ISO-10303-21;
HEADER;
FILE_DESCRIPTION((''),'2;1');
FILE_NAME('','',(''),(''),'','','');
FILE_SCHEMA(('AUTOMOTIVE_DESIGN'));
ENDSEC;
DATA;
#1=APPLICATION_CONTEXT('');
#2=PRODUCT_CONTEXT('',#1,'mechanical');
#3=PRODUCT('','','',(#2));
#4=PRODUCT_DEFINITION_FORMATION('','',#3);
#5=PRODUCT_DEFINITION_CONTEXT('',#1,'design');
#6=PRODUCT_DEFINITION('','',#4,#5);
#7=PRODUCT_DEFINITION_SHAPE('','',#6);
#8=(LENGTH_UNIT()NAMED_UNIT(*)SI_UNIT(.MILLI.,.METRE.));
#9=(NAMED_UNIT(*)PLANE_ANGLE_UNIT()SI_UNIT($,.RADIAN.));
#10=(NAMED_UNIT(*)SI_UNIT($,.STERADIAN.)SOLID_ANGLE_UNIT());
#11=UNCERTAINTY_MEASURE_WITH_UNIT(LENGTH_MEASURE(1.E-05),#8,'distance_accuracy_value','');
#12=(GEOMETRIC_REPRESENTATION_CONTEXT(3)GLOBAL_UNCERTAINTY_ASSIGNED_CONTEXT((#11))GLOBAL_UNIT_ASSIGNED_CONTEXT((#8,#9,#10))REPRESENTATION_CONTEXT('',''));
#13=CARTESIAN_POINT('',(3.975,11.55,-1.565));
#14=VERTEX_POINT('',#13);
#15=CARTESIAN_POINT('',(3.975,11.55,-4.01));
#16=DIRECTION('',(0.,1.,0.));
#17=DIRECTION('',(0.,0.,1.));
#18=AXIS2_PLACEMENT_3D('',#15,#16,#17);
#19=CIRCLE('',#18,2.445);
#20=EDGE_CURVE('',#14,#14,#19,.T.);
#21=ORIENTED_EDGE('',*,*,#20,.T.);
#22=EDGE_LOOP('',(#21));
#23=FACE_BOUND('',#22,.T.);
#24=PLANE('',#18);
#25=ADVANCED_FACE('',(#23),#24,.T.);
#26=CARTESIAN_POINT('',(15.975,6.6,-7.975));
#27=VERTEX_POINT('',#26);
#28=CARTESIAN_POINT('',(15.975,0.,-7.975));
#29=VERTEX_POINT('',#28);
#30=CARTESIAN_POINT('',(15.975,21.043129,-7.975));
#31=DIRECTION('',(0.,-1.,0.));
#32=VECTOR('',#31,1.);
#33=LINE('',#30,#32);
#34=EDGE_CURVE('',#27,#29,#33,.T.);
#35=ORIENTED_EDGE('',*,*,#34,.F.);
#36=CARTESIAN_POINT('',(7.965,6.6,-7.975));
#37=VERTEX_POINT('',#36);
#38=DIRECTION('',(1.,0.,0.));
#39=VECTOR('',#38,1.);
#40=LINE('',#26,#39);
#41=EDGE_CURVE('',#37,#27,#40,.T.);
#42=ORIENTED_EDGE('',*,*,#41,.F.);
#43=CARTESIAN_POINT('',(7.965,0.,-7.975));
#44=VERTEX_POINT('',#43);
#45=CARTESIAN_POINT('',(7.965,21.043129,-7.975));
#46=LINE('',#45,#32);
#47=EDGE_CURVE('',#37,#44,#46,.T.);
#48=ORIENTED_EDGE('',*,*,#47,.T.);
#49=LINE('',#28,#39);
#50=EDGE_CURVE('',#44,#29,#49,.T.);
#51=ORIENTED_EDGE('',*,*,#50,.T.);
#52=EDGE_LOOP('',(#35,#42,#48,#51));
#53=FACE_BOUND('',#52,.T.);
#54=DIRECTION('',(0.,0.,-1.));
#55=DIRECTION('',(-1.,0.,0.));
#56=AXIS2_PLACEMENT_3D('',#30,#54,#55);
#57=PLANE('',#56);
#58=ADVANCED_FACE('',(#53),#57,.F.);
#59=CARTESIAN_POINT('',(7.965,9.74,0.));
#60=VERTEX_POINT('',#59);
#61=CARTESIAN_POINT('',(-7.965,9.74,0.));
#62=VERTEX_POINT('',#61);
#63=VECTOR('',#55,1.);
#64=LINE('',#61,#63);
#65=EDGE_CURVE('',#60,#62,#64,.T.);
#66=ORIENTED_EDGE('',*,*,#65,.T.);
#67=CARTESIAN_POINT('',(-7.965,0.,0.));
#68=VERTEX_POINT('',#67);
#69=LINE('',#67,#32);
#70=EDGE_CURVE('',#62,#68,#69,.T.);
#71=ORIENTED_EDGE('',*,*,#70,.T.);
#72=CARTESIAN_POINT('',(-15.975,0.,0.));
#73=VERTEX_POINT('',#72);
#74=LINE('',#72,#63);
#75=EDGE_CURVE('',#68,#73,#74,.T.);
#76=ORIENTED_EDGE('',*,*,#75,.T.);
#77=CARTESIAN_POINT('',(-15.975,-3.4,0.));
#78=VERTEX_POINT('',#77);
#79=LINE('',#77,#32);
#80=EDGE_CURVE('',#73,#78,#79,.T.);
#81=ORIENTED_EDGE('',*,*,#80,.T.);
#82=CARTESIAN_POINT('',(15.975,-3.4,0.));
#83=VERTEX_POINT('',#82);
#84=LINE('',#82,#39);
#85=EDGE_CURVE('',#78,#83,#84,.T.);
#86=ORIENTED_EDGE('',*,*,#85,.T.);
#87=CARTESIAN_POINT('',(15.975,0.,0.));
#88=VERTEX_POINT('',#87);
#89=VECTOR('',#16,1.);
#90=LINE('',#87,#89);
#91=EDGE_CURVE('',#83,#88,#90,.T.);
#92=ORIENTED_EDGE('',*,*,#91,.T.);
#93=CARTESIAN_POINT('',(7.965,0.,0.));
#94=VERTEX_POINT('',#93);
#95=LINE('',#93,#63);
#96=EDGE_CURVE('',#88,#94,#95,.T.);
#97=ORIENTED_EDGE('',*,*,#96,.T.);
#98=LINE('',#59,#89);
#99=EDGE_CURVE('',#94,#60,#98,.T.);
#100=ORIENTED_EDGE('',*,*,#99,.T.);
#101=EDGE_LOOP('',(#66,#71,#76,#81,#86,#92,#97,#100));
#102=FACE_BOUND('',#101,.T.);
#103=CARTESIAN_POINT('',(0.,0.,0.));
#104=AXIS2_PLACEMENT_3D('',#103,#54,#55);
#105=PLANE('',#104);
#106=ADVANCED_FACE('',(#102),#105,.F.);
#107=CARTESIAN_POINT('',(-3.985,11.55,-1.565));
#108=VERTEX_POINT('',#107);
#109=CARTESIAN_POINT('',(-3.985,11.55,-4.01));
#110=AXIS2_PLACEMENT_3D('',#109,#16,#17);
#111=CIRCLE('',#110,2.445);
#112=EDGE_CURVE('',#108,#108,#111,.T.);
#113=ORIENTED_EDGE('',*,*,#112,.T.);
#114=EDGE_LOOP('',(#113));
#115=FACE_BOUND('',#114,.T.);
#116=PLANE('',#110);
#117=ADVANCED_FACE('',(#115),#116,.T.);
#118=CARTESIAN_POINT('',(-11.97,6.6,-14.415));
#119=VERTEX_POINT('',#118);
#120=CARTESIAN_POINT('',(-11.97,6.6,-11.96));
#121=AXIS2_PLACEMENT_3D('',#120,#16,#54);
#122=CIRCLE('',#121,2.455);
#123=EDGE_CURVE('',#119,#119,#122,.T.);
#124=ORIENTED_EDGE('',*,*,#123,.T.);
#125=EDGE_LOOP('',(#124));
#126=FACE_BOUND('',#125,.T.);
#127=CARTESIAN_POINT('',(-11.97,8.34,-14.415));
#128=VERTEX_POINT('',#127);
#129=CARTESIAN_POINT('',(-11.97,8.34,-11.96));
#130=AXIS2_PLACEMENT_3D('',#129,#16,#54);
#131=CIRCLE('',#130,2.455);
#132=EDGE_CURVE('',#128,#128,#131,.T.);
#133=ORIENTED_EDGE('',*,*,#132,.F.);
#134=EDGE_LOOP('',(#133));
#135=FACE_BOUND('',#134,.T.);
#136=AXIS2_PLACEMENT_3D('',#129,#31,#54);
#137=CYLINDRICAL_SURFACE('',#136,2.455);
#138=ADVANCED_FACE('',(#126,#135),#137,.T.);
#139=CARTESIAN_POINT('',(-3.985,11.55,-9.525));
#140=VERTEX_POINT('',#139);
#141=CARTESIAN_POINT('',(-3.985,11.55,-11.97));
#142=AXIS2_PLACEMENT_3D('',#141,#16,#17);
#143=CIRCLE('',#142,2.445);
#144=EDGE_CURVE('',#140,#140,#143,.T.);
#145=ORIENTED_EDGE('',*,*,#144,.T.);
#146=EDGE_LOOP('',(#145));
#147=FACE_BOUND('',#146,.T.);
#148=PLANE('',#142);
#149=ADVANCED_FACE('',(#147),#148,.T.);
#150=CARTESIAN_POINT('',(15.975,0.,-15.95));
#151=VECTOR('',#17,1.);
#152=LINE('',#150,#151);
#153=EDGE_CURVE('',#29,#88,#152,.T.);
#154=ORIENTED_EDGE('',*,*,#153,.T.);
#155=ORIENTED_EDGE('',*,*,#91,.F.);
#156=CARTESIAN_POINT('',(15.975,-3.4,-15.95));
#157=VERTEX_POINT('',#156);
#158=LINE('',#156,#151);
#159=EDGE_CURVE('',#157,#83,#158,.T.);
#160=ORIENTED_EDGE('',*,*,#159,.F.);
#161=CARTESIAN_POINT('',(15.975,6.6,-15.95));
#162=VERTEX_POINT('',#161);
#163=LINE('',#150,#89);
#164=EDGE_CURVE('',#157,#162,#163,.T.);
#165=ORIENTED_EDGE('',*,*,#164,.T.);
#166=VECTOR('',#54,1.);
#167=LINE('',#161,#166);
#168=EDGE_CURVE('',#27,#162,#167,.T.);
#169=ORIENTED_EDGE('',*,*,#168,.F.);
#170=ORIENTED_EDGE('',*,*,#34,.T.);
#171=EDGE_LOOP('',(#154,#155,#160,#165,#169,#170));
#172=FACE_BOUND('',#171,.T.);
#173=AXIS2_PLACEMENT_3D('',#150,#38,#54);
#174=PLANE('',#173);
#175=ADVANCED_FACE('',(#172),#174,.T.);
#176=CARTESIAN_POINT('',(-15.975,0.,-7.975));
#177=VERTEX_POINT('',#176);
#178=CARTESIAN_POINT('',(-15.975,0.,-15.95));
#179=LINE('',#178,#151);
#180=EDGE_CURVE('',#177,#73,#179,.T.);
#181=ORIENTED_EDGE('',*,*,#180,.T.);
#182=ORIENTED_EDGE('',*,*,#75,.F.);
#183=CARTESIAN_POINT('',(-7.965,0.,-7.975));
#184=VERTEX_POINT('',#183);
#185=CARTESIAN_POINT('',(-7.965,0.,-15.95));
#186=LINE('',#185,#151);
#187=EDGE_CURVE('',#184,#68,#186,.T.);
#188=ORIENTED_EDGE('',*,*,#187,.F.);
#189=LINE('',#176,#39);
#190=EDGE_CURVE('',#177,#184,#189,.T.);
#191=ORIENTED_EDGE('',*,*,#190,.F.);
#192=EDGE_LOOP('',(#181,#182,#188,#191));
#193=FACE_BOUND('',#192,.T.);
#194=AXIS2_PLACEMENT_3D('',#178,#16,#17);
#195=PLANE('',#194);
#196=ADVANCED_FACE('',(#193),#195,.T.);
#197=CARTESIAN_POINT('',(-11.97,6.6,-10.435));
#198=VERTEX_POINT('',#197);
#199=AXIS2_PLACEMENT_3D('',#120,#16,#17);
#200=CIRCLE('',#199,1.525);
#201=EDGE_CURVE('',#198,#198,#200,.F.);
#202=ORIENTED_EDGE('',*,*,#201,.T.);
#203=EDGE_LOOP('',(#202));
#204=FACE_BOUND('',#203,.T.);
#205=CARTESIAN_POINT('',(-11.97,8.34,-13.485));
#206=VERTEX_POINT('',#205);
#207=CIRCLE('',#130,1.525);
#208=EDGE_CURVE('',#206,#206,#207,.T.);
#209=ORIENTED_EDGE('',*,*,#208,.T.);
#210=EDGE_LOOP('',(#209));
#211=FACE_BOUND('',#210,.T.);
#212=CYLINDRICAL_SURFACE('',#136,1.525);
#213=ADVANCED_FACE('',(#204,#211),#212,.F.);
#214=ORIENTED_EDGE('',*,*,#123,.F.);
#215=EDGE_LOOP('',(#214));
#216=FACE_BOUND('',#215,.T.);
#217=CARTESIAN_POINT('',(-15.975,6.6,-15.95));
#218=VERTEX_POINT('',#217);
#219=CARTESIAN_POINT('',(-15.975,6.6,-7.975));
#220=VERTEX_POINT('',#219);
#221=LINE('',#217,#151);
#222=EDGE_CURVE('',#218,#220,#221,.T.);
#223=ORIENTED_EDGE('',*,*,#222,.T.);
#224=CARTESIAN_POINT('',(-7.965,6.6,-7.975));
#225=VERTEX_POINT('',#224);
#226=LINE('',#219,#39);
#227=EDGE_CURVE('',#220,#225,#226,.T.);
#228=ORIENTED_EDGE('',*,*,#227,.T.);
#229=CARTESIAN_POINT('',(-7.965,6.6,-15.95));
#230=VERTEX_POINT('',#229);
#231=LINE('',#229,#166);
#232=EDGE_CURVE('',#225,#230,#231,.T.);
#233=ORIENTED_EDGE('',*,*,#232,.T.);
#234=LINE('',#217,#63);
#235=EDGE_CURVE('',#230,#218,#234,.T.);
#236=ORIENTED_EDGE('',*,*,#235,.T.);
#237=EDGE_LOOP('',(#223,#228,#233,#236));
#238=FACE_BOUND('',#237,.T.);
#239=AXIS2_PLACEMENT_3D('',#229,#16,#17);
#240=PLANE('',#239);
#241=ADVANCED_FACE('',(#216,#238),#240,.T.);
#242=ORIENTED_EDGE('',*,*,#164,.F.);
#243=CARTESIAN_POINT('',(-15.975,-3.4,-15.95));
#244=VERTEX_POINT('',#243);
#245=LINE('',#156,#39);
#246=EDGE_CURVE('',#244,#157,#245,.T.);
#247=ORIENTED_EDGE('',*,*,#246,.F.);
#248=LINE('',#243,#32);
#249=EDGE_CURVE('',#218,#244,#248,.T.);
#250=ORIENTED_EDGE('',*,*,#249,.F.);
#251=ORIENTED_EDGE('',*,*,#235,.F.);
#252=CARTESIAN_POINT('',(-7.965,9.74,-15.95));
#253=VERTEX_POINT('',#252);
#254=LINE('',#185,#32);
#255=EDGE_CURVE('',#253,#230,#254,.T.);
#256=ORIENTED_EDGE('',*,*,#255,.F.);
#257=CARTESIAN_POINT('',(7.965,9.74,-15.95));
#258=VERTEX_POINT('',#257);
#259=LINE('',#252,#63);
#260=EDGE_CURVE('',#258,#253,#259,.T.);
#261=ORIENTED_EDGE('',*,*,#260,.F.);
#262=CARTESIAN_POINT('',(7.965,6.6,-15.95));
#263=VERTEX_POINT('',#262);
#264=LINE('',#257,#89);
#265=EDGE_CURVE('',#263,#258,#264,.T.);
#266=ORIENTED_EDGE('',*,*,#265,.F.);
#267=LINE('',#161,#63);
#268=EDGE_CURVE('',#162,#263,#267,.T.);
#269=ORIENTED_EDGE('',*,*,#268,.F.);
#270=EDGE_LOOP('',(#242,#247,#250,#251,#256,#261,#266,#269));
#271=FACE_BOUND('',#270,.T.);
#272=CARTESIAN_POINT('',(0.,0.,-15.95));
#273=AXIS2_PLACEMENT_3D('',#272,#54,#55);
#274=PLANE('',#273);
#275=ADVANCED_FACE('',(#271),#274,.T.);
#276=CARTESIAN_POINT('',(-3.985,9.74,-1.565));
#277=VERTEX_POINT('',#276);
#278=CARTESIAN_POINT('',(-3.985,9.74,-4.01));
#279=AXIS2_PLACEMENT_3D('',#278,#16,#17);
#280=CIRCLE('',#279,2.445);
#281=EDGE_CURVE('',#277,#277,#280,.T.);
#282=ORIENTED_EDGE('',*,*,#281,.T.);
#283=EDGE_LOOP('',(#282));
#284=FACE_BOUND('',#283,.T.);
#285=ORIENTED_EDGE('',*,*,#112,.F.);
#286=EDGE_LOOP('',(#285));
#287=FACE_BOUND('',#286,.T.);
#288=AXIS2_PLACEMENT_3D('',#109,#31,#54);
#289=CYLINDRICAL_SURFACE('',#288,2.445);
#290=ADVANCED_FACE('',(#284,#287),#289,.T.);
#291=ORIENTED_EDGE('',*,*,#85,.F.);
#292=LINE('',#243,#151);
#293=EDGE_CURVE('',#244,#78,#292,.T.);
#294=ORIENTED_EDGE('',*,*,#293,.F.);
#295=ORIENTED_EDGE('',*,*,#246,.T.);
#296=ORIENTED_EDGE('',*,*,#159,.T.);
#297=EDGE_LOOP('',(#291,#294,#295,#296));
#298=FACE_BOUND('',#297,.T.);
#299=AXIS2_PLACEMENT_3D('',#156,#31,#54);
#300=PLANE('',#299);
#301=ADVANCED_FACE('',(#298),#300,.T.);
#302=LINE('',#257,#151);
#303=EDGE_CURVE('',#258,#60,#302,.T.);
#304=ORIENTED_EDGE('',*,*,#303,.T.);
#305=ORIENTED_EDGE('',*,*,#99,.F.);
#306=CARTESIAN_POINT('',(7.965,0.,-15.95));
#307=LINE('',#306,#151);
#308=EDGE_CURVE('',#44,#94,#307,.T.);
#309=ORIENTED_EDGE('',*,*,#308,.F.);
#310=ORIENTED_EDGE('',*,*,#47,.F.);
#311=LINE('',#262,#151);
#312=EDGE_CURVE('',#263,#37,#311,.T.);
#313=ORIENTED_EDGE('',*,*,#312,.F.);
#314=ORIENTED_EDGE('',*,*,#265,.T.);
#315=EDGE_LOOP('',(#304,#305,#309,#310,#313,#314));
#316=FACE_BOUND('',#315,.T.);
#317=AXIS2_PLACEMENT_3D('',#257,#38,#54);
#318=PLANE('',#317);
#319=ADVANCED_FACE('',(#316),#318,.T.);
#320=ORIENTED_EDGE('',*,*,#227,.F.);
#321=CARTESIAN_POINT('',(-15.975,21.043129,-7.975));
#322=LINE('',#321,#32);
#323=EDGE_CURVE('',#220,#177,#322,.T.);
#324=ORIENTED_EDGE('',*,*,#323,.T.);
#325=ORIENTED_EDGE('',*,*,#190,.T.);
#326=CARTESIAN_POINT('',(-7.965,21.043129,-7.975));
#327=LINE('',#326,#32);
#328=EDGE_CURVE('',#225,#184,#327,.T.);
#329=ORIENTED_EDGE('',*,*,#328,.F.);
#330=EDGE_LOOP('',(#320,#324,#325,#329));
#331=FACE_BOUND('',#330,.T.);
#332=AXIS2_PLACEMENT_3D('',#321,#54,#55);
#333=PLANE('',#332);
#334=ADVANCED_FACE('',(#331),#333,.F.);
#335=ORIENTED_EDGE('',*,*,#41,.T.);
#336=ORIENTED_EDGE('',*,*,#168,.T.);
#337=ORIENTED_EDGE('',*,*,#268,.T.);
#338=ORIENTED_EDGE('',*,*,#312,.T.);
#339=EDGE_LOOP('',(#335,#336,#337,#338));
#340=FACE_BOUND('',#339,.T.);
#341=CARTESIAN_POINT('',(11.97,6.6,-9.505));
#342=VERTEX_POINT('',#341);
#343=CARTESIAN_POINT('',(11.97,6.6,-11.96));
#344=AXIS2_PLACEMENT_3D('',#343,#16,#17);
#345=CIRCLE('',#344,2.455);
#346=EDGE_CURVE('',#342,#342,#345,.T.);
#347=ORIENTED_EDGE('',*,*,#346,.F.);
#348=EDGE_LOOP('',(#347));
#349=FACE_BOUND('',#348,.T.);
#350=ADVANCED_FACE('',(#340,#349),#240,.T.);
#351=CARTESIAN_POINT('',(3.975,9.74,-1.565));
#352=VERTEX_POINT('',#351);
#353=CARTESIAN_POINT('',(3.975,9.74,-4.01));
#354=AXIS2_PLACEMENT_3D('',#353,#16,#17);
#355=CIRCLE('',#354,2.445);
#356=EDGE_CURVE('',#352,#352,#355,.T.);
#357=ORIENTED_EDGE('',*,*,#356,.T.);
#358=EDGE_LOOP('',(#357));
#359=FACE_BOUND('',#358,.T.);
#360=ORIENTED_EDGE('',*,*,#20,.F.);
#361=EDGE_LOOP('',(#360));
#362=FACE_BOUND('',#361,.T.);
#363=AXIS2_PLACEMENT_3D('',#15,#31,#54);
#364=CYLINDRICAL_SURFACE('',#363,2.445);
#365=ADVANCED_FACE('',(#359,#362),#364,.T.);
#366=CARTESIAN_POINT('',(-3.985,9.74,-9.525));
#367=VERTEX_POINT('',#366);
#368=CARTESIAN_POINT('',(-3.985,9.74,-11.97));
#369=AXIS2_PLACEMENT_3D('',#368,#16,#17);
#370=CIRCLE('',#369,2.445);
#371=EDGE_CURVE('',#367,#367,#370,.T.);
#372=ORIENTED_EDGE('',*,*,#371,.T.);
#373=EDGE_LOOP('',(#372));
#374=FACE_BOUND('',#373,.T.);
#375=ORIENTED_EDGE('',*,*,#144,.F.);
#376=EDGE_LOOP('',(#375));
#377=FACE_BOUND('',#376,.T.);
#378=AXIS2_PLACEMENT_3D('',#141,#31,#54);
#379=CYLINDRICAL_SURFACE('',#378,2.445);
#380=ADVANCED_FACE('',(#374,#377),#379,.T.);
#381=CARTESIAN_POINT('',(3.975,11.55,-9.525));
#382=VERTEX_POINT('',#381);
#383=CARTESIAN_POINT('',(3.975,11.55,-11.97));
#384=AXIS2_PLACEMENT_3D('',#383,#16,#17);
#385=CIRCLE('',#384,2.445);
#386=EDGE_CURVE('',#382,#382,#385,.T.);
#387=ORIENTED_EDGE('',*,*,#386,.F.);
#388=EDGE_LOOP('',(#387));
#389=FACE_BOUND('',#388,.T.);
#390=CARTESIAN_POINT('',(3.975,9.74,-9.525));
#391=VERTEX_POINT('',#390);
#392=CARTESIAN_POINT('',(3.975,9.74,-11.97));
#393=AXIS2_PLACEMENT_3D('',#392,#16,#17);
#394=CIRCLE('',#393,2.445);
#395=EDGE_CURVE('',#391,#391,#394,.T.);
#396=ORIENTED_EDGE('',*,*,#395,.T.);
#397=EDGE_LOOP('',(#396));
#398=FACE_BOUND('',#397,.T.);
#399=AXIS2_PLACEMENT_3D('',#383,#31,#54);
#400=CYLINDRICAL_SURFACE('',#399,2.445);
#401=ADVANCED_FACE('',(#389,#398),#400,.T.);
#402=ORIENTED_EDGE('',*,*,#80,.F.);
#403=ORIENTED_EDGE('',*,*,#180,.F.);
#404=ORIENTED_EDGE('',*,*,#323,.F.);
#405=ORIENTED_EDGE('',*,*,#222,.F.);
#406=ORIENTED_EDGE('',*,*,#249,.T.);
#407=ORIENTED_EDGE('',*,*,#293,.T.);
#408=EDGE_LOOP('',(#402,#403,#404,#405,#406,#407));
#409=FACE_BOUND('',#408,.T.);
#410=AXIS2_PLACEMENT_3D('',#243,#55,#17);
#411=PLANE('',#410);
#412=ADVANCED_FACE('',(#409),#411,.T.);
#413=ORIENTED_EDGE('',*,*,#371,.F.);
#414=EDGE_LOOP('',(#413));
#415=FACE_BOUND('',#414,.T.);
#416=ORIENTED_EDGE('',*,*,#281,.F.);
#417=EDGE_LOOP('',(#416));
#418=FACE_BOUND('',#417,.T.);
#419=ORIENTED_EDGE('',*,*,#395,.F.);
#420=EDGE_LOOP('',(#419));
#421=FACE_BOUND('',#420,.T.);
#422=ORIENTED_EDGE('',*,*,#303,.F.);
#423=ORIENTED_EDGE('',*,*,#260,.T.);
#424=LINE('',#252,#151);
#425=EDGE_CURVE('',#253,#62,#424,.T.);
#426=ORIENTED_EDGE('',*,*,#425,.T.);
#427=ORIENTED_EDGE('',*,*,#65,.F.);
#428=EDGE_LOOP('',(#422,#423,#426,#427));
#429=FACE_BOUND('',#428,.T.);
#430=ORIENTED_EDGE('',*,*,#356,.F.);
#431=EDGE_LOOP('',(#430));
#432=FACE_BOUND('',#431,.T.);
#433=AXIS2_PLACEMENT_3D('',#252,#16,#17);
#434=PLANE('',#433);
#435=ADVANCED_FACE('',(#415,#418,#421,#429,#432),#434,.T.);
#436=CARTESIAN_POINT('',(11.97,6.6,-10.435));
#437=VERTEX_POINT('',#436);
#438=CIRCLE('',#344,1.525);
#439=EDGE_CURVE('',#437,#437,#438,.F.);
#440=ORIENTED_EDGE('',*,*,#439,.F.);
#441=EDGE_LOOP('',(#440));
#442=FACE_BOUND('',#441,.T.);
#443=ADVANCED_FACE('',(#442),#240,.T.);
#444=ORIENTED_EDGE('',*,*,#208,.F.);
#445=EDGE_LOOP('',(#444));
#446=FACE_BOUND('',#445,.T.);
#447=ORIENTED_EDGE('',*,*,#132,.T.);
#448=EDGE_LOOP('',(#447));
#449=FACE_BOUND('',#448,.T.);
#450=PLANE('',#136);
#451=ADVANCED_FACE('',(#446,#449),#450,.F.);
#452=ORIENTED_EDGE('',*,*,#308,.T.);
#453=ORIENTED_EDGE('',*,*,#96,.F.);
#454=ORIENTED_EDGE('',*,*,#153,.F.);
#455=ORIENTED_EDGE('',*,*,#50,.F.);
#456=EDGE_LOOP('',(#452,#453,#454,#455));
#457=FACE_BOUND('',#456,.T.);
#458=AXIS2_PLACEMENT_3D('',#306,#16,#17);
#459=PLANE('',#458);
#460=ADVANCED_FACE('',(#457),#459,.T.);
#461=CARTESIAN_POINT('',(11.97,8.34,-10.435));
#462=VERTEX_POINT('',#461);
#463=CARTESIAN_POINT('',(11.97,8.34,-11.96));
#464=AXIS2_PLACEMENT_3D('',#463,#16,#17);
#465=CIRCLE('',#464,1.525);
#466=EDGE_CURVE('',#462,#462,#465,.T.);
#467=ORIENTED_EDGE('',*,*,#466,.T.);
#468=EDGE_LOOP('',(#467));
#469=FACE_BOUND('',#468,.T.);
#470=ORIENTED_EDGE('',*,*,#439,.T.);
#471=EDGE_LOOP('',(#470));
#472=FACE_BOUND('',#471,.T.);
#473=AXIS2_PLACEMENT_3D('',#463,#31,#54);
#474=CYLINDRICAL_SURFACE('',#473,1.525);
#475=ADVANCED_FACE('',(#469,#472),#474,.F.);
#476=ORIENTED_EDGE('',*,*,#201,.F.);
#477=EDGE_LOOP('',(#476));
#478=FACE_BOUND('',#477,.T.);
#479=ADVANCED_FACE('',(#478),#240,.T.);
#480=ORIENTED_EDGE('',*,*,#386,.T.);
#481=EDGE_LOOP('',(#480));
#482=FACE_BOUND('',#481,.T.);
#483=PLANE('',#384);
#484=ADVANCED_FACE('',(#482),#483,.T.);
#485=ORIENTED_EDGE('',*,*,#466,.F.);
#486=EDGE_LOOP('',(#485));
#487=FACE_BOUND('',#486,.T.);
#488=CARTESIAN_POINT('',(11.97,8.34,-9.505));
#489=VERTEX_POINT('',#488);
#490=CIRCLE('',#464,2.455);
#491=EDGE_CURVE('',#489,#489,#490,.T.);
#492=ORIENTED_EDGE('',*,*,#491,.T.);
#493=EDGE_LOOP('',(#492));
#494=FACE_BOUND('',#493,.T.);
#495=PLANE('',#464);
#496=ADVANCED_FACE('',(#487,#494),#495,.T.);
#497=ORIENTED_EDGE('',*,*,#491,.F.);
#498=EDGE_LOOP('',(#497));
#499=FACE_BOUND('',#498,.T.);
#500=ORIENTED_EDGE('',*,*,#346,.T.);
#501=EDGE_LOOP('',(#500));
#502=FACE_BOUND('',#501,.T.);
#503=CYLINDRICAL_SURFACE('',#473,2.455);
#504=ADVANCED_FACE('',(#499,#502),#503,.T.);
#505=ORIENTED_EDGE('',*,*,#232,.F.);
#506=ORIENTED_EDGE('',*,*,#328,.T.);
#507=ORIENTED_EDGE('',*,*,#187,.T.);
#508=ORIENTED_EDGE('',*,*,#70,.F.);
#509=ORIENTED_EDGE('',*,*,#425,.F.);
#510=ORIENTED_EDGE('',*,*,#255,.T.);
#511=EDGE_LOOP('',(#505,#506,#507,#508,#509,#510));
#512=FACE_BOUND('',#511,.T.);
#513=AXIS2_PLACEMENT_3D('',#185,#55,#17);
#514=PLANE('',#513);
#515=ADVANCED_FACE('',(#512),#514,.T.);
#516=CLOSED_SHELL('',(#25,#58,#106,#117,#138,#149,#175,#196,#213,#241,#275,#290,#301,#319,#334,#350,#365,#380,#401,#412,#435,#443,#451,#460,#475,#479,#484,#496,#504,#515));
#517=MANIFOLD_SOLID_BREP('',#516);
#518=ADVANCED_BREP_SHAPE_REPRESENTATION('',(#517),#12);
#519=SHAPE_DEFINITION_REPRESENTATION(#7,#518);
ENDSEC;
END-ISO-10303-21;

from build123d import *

# Parameters (mm, degrees)
BOSS_EXTRUDE2_DEPTH = 15.95
SKETCH2_R           = 2.445
BOSS_EXTRUDE3_DEPTH = 1.81
SKETCH3_W           = 8.01
SKETCH3_H           = 7.975
BOSS_EXTRUDE4_DEPTH = 6.6
SKETCH4_R           = 2.455
SKETCH4_R_2         = 1.525
BOSS_EXTRUDE5_DEPTH = 1.74


with BuildPart() as part:
    # Sketch1 → Boss-Extrude2 (new body)
    with BuildSketch(Plane.XY):
        Polygon((-7.965, 9.74), (7.965, 9.74), (7.965, 0), (15.975, 0), (15.975, -3.4), (-15.975, -3.4), (-15.975, 0), (-7.965, 0), align=None)
    extrude(amount=-BOSS_EXTRUDE2_DEPTH)

    # Sketch2 → Boss-Extrude3 (add)
    with BuildSketch(Plane(origin=(0, 9.74, 0), x_dir=(1, 0, 0), z_dir=(0, 1, 0))):
        with Locations(Location((-3.985, 11.97, 0), (0, 0, 270))):
            Circle(SKETCH2_R)
        with Locations(Location((3.975, 11.97, 0), (0, 0, 270))):
            Circle(SKETCH2_R)
        with Locations(Location((3.975, 4.01, 0), (0, 0, 270))):
            Circle(SKETCH2_R)
        with Locations(Location((-3.985, 4.01, 0), (0, 0, 270))):
            Circle(SKETCH2_R)
    extrude(amount=BOSS_EXTRUDE3_DEPTH)

    # Sketch3 → Boss-Extrude4 (add)
    with BuildSketch(Plane(origin=(0, 0, 0), x_dir=(1, 0, 0), z_dir=(0, 1, 0))):
        with Locations((-11.97, 11.9625)):
            Rectangle(SKETCH3_W, SKETCH3_H)
        with Locations((11.97, 11.9625)):
            Rectangle(SKETCH3_W, SKETCH3_H)
    extrude(amount=BOSS_EXTRUDE4_DEPTH)

    # Sketch4 → Boss-Extrude5 (add)
    # profile 1 of 2: a face of its own
    with BuildSketch(Plane(origin=(0, 6.6, 0), x_dir=(1, 0, 0), z_dir=(0, 1, 0))):
        with Locations(Location((11.97, 11.96, 0), (0, 0, 270))):
            Circle(SKETCH4_R)
        with Locations(Location((11.97, 11.96, 0), (0, 0, 270))):
            Circle(SKETCH4_R_2, mode=Mode.SUBTRACT)
    # profile 2 of 2: a face of its own
    with BuildSketch(Plane(origin=(0, 6.6, 0), x_dir=(1, 0, 0), z_dir=(0, 1, 0))):
        with Locations(Location((-11.97, 11.96, 0), (0, 0, 90))):
            Circle(SKETCH4_R)
        with Locations(Location((-11.97, 11.96, 0), (0, 0, 90))):
            Circle(SKETCH4_R_2, mode=Mode.SUBTRACT)
    extrude(amount=BOSS_EXTRUDE5_DEPTH)


solid = part.part
